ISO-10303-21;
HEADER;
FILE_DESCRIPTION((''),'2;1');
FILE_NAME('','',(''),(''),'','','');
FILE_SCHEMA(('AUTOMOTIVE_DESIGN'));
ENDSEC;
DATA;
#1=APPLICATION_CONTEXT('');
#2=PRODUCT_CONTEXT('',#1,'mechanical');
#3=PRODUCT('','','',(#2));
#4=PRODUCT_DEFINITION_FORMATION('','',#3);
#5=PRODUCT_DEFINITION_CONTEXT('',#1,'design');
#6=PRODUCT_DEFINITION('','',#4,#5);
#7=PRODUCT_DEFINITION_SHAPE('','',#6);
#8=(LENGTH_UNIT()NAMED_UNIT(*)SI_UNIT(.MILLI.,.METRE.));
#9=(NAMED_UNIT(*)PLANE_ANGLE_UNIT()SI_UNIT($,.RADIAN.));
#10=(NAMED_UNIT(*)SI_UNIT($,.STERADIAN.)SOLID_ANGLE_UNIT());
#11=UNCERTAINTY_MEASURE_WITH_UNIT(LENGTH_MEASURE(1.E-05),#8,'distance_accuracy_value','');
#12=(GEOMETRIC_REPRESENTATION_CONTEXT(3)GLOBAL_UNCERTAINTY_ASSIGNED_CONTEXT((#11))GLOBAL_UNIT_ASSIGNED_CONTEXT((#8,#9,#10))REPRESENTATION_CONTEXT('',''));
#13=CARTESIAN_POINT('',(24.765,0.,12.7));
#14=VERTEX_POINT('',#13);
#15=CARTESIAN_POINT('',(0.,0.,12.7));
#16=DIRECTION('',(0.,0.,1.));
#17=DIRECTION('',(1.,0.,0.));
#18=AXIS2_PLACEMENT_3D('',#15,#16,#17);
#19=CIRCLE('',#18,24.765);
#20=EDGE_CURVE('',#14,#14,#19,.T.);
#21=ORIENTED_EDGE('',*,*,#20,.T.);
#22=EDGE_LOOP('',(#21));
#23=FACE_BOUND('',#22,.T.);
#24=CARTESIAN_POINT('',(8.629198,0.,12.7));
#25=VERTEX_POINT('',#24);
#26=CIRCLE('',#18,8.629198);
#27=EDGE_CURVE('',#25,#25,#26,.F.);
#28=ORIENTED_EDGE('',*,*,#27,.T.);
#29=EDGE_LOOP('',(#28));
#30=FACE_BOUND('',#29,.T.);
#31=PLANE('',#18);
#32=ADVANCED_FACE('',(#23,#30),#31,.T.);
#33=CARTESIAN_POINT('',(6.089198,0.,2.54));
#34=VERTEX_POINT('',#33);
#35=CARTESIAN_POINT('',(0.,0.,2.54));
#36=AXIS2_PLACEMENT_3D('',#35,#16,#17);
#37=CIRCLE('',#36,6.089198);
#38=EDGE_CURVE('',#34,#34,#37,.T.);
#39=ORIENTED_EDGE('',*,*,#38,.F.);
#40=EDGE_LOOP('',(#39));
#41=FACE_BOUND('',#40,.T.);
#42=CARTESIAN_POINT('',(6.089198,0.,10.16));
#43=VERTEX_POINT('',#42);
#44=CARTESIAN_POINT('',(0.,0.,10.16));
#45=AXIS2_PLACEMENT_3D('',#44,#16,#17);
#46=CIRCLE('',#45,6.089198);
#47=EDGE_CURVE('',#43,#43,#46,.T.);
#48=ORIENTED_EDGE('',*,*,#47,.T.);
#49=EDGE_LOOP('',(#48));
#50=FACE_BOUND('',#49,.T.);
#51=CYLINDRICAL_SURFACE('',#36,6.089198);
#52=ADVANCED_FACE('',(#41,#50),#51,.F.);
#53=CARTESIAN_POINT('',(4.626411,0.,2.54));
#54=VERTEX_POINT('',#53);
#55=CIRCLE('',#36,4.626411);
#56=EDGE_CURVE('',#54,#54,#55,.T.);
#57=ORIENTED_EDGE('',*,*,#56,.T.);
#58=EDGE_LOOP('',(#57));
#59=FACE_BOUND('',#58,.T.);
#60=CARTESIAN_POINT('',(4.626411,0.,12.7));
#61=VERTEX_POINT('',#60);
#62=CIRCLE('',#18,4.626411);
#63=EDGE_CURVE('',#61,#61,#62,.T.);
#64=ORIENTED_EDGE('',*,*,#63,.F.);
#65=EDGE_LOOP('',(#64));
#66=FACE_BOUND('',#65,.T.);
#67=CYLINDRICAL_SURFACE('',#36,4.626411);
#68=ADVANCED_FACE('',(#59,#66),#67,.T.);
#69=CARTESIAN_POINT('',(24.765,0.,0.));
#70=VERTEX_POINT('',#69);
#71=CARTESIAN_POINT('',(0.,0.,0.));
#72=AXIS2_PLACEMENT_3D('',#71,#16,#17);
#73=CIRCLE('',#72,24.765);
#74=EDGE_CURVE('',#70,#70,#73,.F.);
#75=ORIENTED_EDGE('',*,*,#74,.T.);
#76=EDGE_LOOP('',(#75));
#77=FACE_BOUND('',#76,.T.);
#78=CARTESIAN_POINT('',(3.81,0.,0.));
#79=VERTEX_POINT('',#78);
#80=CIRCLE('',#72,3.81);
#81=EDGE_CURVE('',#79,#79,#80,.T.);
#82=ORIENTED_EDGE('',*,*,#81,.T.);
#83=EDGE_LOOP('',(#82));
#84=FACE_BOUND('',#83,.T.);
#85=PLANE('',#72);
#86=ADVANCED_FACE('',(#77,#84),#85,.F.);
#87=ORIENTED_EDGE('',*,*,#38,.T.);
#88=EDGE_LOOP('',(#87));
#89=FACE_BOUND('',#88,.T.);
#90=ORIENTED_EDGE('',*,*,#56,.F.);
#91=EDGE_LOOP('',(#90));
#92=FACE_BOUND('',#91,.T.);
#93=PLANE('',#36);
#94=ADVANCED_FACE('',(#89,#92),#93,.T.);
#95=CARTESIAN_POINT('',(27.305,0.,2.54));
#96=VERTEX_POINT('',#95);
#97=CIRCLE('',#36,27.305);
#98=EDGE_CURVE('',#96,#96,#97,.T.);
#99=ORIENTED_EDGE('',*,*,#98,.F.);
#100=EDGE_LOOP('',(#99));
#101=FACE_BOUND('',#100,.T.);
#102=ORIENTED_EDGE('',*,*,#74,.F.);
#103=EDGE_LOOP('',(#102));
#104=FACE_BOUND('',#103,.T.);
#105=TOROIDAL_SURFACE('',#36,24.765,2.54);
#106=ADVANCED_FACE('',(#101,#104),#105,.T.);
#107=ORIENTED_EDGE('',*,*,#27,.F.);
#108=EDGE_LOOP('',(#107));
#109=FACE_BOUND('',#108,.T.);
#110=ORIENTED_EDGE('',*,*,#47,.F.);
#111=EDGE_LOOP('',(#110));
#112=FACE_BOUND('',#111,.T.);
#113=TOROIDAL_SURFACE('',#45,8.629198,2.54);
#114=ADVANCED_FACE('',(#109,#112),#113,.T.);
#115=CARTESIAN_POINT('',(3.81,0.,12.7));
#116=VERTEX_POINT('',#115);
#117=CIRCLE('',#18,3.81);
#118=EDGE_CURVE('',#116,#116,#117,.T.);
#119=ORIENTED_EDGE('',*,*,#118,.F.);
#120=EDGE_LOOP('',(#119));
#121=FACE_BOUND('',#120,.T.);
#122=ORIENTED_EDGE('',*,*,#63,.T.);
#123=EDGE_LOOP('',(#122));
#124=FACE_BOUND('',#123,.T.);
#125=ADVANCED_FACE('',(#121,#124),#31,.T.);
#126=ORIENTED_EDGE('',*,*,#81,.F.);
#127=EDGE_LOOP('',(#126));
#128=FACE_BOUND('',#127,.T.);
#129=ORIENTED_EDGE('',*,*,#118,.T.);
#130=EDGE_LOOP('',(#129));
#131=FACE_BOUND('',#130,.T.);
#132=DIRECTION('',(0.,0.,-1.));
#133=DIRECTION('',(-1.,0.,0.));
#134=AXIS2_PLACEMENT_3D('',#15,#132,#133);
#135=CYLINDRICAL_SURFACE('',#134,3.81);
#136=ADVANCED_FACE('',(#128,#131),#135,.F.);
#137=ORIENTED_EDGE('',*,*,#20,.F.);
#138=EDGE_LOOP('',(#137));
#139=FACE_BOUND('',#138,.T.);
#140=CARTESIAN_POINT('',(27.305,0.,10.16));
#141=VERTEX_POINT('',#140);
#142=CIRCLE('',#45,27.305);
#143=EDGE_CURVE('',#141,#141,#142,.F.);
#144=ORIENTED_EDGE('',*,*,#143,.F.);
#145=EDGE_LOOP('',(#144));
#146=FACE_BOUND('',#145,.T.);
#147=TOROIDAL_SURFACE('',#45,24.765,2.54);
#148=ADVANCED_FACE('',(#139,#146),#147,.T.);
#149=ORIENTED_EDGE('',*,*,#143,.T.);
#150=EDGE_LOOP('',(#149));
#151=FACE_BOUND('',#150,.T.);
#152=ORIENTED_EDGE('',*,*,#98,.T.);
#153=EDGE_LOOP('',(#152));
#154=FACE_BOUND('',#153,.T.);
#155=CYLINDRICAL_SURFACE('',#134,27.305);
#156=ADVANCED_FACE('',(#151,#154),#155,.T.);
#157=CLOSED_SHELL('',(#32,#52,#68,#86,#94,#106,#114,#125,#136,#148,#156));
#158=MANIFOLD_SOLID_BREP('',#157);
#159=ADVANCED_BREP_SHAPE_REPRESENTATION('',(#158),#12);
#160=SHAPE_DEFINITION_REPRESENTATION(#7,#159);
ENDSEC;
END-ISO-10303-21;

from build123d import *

# Parameters (mm, degrees)
SKETCH1_R           = 27.305
SKETCH1_R_2         = 3.81
BOSS_EXTRUDE1_DEPTH = 12.7
SKETCH2_R           = 6.089197758
SKETCH2_R_2         = 4.626410668
CUT_EXTRUDE1_DEPTH  = 10.16
FILLET2_R           = 2.54
FILLET3_R           = 2.54


with BuildPart() as part:
    # Sketch1 → Boss-Extrude1 (new body)
    with BuildSketch(Plane.XY):
        Circle(SKETCH1_R)
        Circle(SKETCH1_R_2, mode=Mode.SUBTRACT)
    extrude(amount=BOSS_EXTRUDE1_DEPTH)

    # Sketch2 → Cut-Extrude1 (cut)
    with BuildSketch(Plane.XY.offset(12.7)):
        Circle(SKETCH2_R)
        Circle(SKETCH2_R_2, mode=Mode.SUBTRACT)
    extrude(amount=-CUT_EXTRUDE1_DEPTH, mode=Mode.SUBTRACT)

    # Fillet2
    fillet2_edges = [part.edges().sort_by_distance(p)[0] for p in [
        (-6.089197758, 0, 12.7),
        (-27.305, 0, 12.7),
    ]]
    fillet(fillet2_edges, radius=FILLET2_R)

    # Fillet3
    fillet3_edges = [part.edges().sort_by_distance(p)[0] for p in [
        (-27.305, 0, 0),
    ]]
    fillet(fillet3_edges, radius=FILLET3_R)


solid = part.part
